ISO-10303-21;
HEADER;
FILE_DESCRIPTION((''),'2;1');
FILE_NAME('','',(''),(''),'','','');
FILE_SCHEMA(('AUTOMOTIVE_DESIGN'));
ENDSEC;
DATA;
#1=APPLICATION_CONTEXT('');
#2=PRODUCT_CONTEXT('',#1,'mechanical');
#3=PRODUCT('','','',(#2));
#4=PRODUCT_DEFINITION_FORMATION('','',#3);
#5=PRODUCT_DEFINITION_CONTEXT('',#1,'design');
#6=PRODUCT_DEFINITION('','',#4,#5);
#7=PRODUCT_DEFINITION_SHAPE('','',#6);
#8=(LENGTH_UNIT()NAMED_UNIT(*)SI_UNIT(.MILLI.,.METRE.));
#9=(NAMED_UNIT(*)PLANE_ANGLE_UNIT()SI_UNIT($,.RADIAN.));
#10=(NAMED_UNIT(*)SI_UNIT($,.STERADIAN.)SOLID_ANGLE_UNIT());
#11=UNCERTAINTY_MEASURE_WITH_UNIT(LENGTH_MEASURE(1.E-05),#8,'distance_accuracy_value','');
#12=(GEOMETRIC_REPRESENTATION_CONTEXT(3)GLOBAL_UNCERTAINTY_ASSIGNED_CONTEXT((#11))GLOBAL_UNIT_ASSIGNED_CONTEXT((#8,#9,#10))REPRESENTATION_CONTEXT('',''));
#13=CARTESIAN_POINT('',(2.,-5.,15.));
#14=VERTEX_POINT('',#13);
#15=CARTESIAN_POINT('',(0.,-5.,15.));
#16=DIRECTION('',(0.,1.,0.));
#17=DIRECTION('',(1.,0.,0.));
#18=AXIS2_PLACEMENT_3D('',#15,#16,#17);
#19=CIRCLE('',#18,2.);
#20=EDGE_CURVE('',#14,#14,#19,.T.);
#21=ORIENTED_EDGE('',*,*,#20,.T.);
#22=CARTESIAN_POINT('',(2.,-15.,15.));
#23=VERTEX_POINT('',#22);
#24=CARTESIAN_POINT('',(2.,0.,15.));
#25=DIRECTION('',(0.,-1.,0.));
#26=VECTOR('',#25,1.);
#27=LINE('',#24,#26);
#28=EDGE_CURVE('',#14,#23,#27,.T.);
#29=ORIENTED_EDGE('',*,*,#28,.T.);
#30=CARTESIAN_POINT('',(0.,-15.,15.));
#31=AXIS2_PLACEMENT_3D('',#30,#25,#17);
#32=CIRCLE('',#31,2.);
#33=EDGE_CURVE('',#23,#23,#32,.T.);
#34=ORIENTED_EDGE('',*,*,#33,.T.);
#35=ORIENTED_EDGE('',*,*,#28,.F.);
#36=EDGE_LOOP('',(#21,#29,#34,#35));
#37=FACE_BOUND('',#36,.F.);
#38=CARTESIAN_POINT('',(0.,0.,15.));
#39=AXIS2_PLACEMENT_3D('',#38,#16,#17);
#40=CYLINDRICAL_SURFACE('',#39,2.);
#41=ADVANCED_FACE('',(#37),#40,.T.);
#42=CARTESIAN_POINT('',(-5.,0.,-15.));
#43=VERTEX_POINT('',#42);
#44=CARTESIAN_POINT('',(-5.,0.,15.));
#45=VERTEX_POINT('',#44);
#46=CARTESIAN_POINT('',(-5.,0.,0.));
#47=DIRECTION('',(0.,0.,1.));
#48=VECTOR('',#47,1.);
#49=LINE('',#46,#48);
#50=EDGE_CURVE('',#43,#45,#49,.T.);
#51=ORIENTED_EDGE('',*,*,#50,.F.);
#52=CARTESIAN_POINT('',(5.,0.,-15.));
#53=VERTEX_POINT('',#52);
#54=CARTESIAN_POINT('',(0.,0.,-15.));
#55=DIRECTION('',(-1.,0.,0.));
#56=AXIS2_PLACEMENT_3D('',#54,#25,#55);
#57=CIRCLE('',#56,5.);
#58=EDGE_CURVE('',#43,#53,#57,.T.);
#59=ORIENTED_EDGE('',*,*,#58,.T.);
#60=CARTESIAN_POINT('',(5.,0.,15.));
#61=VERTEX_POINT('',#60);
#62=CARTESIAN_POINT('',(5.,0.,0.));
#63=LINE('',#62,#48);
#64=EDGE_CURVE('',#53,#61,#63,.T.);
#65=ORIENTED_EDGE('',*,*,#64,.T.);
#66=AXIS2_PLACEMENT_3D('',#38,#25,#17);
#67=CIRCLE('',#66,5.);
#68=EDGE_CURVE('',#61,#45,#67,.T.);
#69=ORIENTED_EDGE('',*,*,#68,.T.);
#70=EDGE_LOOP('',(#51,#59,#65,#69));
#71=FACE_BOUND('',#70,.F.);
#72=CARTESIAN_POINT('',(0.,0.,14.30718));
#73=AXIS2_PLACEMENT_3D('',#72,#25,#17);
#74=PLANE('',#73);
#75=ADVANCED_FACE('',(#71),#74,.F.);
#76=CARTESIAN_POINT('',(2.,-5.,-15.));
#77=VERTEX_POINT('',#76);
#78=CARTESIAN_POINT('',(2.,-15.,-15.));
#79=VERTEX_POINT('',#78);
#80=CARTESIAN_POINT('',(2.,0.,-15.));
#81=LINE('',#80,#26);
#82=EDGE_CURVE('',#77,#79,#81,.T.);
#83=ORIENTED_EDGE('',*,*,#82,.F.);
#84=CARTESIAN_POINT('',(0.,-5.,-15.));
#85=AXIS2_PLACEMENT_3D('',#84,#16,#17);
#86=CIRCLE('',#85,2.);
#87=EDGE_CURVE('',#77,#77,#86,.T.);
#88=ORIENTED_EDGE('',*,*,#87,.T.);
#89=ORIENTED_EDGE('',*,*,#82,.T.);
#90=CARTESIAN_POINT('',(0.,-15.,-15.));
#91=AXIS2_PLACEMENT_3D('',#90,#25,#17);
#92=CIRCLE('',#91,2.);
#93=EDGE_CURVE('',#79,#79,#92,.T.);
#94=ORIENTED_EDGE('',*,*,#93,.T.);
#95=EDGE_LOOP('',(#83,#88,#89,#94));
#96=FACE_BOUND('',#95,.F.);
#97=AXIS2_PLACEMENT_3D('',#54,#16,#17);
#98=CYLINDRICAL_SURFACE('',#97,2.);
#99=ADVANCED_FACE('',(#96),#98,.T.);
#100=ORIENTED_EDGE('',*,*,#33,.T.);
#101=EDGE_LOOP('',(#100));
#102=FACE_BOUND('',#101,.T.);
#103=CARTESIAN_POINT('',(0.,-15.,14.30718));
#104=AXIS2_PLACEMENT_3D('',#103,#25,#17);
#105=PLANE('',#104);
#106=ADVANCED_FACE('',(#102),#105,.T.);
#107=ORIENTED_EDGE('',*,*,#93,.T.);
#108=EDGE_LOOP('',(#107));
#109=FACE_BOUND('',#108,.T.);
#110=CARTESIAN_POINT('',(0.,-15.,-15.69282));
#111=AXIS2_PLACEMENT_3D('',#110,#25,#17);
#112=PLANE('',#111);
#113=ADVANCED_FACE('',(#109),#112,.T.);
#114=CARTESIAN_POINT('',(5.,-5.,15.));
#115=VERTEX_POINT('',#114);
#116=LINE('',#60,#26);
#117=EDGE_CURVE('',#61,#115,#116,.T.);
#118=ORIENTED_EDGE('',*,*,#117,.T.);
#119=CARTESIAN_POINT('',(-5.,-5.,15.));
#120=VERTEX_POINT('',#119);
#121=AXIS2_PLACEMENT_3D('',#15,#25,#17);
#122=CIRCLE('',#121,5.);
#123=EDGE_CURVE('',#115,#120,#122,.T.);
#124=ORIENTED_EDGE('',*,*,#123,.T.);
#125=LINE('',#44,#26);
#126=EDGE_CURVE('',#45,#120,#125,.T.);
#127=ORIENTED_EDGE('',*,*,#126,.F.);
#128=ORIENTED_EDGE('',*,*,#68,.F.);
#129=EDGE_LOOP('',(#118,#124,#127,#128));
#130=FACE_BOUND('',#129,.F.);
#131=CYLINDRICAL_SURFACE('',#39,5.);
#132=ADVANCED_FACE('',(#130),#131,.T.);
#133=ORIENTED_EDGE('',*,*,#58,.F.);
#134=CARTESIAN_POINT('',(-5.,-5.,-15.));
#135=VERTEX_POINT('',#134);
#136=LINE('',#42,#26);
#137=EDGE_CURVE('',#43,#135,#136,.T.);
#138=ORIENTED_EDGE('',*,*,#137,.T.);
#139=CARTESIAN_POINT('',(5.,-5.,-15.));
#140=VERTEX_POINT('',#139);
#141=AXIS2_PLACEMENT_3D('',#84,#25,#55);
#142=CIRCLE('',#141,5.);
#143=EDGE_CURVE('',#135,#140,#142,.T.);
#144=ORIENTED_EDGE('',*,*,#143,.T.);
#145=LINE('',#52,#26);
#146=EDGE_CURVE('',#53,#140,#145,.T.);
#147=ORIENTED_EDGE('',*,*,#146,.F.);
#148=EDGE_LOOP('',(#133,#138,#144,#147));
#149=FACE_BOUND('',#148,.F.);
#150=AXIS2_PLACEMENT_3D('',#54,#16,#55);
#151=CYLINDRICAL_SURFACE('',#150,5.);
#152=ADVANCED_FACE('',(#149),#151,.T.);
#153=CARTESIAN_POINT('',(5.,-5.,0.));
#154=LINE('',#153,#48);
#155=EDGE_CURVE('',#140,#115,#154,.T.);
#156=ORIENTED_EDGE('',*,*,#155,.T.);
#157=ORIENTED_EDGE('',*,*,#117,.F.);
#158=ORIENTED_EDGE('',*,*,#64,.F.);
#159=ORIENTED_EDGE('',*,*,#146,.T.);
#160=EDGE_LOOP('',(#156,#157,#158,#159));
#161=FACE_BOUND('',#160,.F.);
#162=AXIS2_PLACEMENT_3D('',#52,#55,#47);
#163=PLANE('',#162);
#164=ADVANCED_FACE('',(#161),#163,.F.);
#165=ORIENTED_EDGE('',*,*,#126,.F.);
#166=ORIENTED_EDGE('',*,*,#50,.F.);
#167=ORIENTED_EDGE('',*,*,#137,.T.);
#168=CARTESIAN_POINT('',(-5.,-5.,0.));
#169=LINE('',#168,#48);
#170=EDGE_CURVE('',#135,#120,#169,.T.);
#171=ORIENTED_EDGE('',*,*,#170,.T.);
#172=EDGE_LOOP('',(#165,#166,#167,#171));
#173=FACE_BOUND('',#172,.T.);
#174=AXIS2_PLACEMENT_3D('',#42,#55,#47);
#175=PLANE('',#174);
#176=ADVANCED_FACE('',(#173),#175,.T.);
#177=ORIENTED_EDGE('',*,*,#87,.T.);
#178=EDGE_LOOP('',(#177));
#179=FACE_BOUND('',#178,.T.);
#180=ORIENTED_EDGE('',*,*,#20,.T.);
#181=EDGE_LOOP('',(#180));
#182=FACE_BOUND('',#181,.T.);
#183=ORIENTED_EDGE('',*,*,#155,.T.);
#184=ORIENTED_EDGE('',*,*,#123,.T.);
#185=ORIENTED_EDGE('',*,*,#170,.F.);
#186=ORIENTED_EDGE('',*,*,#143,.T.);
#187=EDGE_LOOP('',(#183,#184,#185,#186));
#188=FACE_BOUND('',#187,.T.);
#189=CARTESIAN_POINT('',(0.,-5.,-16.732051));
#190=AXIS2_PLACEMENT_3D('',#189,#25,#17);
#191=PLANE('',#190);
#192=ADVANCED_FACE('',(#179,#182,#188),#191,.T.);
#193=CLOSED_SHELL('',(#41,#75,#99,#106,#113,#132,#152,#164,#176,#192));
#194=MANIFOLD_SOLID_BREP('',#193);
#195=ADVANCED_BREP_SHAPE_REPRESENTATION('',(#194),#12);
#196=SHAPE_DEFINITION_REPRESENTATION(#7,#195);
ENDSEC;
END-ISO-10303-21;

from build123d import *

# Parameters (mm, degrees)
F0_W     = 10
F0_H     = 30
F1_DEPTH = 5
F3_DEPTH = 15


with BuildPart() as f1:
    # F0 (on Front) → F1 (new body)
    with BuildSketch(Plane.XZ):
        with BuildLine():
            Line((5, -15), (-5, -15))
            ThreePointArc((-5, -15), (0, -20), (5, -15))
        make_face()
        with BuildLine():
            ThreePointArc((5, 15), (0, 20), (-5, 15))
            Line((-5, 15), (5, 15))
        make_face()
        Rectangle(F0_W, F0_H)
    extrude(amount=F1_DEPTH)

    # F2 (on Front) → F3 (join)
    with BuildSketch(Plane.XZ):
        with BuildLine():
            ThreePointArc((-2, 15), (0, 13), (2, 15))
            Line((2, 15), (-2, 15))
        make_face()
        with BuildLine():
            Line((-2, 15), (2, 15))
            ThreePointArc((2, 15), (0, 17), (-2, 15))
        make_face()
        with BuildLine():
            ThreePointArc((-2, -15), (0, -17), (2, -15))
            Line((2, -15), (-2, -15))
        make_face()
        with BuildLine():
            Line((-2, -15), (2, -15))
            ThreePointArc((2, -15), (0, -13), (-2, -15))
        make_face()
    extrude(amount=F3_DEPTH)


solid = f1.part
